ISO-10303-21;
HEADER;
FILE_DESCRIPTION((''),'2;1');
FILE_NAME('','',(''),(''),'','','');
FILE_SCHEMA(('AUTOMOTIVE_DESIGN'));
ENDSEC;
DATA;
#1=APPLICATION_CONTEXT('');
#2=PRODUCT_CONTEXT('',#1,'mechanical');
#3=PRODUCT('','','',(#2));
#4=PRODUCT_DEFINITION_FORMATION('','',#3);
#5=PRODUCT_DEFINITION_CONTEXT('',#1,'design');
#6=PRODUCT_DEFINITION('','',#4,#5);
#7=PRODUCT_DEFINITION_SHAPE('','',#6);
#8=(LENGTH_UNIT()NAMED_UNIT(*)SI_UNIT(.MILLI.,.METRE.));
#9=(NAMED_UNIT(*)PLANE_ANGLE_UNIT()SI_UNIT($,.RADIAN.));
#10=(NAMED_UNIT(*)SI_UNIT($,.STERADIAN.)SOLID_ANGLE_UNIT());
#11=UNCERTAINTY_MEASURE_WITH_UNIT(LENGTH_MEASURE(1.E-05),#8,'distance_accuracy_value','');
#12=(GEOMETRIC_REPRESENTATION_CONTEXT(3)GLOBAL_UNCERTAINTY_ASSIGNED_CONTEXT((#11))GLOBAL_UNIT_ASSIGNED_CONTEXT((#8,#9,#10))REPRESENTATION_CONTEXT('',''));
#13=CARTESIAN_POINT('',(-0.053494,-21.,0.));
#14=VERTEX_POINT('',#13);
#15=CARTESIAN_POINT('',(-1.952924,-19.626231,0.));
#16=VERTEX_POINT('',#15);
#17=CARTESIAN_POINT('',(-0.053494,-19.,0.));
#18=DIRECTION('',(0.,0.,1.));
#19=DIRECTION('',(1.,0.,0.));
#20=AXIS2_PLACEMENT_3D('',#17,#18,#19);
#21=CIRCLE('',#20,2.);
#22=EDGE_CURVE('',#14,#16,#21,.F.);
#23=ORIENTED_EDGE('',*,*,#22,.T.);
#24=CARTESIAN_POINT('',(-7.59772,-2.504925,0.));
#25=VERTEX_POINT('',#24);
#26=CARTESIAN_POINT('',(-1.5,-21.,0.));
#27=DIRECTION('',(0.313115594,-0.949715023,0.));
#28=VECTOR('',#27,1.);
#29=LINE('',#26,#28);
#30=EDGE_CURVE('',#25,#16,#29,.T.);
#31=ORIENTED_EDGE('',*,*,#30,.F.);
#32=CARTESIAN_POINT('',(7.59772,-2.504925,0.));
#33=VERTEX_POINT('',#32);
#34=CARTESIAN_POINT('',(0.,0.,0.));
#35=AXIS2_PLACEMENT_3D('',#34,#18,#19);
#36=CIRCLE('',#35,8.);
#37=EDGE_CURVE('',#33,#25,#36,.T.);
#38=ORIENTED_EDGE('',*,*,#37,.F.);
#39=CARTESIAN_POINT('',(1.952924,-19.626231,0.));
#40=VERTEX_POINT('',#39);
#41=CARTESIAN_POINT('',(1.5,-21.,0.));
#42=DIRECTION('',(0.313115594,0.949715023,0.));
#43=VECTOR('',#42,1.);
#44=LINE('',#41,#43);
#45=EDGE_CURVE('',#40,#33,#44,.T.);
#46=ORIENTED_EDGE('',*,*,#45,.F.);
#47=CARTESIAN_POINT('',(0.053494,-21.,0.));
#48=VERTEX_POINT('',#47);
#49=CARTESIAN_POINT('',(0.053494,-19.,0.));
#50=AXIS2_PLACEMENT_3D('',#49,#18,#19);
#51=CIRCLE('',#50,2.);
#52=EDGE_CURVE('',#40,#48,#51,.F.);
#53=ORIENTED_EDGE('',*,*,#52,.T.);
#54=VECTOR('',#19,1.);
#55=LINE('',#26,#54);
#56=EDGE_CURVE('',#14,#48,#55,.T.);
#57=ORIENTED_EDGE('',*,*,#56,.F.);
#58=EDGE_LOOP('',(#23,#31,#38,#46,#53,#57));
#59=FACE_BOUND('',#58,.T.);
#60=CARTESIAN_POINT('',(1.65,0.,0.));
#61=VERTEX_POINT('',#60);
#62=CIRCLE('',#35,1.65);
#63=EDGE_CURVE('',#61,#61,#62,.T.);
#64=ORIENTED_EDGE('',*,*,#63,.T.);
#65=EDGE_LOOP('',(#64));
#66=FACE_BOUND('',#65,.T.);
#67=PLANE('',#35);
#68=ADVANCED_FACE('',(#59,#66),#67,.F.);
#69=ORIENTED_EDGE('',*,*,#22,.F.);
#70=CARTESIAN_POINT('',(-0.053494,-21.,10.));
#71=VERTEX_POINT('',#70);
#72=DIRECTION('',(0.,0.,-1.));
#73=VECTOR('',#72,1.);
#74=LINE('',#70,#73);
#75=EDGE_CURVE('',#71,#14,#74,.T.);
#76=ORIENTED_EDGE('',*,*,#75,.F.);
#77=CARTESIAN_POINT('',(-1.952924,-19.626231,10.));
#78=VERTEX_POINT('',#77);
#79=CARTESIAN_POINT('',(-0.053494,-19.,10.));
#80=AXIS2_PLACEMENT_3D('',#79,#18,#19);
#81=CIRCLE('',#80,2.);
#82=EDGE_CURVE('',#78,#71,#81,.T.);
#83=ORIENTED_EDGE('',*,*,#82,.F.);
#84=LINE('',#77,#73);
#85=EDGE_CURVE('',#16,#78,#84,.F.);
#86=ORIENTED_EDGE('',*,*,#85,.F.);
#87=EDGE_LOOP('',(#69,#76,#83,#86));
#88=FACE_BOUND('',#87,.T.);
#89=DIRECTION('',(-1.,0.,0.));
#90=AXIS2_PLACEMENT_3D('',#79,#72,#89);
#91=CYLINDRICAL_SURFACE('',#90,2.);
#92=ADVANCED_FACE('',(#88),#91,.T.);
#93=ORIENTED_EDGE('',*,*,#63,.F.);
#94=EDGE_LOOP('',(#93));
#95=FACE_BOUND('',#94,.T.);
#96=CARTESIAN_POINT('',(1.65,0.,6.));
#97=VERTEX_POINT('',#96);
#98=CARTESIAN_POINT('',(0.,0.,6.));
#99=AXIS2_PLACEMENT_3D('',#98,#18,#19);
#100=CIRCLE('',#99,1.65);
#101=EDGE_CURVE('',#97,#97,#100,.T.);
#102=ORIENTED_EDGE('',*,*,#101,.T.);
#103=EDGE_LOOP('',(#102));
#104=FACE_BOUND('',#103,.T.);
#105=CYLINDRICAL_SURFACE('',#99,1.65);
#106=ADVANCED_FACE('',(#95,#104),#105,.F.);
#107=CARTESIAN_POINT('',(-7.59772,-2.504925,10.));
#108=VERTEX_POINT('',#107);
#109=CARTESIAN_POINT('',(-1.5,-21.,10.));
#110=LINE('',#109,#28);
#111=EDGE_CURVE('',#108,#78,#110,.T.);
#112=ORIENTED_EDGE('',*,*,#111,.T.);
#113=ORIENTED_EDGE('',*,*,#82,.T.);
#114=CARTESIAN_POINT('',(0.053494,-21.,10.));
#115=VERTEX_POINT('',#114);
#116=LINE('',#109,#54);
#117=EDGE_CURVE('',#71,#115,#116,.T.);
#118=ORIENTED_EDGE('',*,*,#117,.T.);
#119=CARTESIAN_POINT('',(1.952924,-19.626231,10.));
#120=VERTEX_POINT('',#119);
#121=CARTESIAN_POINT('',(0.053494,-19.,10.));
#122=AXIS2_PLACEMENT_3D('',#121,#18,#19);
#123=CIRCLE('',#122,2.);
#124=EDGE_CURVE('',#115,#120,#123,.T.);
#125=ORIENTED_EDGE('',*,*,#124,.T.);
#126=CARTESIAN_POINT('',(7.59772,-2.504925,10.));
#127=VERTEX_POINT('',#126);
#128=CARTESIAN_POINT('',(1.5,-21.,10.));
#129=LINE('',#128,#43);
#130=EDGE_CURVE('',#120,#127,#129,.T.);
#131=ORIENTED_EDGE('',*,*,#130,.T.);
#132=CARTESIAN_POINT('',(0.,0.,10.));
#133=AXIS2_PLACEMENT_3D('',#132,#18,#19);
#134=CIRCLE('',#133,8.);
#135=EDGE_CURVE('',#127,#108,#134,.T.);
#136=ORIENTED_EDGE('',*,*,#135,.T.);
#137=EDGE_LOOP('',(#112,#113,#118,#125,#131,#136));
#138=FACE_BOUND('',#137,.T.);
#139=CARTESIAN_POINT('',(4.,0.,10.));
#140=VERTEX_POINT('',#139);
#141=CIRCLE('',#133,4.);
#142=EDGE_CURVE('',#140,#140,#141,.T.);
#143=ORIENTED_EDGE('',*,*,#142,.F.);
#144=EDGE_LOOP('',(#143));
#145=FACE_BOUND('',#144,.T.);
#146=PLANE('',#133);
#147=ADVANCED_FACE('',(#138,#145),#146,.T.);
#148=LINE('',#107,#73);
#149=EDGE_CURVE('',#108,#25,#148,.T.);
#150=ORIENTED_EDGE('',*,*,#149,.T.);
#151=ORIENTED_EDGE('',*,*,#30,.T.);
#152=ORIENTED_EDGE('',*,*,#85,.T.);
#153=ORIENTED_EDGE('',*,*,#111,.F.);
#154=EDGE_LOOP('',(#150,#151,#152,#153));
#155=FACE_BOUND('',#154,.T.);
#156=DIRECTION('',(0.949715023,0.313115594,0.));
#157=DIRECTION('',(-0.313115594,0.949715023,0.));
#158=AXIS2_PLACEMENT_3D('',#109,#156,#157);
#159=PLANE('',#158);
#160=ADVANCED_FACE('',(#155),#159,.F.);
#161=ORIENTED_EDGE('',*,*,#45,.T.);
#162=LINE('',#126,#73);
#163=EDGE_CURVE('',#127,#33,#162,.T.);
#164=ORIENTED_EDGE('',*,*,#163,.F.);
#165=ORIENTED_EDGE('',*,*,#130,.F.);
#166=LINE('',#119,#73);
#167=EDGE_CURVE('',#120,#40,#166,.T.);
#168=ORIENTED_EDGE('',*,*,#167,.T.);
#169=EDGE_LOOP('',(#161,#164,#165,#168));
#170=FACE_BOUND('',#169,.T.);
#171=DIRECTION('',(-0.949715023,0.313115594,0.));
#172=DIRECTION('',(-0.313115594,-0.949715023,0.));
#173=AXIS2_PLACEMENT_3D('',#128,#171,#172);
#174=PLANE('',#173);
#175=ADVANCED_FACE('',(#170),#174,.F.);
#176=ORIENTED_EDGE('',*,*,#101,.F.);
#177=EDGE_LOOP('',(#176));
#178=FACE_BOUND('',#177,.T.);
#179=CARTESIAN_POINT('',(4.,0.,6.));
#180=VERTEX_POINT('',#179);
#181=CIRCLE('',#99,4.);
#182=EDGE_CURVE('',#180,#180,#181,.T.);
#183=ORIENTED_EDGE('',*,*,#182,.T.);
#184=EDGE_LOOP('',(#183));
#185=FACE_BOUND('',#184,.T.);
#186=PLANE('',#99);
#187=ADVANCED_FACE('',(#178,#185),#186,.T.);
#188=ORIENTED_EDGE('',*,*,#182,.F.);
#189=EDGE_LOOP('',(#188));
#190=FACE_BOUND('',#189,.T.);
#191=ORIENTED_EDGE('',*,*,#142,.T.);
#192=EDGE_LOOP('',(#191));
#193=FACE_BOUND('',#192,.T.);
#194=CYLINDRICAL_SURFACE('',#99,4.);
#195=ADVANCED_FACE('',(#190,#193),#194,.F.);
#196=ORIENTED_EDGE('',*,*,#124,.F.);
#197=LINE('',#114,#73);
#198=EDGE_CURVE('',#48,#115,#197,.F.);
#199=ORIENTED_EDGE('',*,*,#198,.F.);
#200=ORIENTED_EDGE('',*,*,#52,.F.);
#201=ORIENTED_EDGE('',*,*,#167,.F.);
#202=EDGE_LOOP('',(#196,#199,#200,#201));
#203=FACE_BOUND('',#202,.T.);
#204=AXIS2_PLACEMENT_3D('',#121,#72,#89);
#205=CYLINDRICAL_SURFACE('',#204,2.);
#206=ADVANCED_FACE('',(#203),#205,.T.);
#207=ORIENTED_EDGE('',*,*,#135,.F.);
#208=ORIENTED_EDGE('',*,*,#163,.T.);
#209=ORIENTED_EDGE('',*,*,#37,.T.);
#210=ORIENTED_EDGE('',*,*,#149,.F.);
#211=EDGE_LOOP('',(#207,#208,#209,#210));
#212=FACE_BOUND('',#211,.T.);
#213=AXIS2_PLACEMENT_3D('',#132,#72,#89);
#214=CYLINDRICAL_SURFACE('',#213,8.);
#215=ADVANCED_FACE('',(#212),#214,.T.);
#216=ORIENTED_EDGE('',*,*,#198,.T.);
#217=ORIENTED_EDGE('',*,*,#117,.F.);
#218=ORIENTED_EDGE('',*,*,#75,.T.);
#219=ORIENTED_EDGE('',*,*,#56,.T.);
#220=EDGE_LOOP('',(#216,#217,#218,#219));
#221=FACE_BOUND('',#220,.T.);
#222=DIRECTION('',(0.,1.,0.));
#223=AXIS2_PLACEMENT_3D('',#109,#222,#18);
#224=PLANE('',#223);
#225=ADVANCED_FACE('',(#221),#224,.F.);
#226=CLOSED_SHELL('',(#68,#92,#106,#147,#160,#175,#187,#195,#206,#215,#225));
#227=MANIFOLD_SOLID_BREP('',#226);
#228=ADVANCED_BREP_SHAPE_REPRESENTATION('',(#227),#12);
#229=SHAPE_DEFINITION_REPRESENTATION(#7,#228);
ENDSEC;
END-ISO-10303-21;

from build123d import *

# Parameters (mm, degrees)
EXTRUDE_1_DEPTH     = 10
FILLET_1_R          = 2
SKETCH_4_R          = 4
CUT_EXTRUDE_1_DEPTH = 4
M4X0_71_D           = 3.3


with BuildPart() as part:
    # Эскиз1 → Бобышка-Вытянуть1 (new body)
    with BuildSketch(Plane.XY):
        with BuildLine():
            Line((-1.5, -21), (-7.597720185, -2.504924749))
            ThreePointArc((-7.597720185, -2.504924749), (0, 8), (7.597720185, -2.504924749))
            Line((7.597720185, -2.504924749), (1.5, -21))
            Line((1.5, -21), (-1.5, -21))
        make_face()
    extrude(amount=EXTRUDE_1_DEPTH)

    # Скругление1
    fillet_1_edges = [part.edges().sort_by_distance(p)[0] for p in [
        (-1.5, -21, 5),
        (1.5, -21, 5),
    ]]
    fillet(fillet_1_edges, radius=FILLET_1_R)

    # Эскиз4 → Вырез-Вытянуть1 (cut)
    with BuildSketch(Plane.XY.offset(10)):
        Circle(SKETCH_4_R)
    extrude(amount=-CUT_EXTRUDE_1_DEPTH, mode=Mode.SUBTRACT)

    # Отверстие обработанное метчиком M4x0.71 (through all)
    with Locations(Plane.XY.offset(6)):
        with Locations((0, 0)):
            Hole(M4X0_71_D / 2)


solid = part.part
